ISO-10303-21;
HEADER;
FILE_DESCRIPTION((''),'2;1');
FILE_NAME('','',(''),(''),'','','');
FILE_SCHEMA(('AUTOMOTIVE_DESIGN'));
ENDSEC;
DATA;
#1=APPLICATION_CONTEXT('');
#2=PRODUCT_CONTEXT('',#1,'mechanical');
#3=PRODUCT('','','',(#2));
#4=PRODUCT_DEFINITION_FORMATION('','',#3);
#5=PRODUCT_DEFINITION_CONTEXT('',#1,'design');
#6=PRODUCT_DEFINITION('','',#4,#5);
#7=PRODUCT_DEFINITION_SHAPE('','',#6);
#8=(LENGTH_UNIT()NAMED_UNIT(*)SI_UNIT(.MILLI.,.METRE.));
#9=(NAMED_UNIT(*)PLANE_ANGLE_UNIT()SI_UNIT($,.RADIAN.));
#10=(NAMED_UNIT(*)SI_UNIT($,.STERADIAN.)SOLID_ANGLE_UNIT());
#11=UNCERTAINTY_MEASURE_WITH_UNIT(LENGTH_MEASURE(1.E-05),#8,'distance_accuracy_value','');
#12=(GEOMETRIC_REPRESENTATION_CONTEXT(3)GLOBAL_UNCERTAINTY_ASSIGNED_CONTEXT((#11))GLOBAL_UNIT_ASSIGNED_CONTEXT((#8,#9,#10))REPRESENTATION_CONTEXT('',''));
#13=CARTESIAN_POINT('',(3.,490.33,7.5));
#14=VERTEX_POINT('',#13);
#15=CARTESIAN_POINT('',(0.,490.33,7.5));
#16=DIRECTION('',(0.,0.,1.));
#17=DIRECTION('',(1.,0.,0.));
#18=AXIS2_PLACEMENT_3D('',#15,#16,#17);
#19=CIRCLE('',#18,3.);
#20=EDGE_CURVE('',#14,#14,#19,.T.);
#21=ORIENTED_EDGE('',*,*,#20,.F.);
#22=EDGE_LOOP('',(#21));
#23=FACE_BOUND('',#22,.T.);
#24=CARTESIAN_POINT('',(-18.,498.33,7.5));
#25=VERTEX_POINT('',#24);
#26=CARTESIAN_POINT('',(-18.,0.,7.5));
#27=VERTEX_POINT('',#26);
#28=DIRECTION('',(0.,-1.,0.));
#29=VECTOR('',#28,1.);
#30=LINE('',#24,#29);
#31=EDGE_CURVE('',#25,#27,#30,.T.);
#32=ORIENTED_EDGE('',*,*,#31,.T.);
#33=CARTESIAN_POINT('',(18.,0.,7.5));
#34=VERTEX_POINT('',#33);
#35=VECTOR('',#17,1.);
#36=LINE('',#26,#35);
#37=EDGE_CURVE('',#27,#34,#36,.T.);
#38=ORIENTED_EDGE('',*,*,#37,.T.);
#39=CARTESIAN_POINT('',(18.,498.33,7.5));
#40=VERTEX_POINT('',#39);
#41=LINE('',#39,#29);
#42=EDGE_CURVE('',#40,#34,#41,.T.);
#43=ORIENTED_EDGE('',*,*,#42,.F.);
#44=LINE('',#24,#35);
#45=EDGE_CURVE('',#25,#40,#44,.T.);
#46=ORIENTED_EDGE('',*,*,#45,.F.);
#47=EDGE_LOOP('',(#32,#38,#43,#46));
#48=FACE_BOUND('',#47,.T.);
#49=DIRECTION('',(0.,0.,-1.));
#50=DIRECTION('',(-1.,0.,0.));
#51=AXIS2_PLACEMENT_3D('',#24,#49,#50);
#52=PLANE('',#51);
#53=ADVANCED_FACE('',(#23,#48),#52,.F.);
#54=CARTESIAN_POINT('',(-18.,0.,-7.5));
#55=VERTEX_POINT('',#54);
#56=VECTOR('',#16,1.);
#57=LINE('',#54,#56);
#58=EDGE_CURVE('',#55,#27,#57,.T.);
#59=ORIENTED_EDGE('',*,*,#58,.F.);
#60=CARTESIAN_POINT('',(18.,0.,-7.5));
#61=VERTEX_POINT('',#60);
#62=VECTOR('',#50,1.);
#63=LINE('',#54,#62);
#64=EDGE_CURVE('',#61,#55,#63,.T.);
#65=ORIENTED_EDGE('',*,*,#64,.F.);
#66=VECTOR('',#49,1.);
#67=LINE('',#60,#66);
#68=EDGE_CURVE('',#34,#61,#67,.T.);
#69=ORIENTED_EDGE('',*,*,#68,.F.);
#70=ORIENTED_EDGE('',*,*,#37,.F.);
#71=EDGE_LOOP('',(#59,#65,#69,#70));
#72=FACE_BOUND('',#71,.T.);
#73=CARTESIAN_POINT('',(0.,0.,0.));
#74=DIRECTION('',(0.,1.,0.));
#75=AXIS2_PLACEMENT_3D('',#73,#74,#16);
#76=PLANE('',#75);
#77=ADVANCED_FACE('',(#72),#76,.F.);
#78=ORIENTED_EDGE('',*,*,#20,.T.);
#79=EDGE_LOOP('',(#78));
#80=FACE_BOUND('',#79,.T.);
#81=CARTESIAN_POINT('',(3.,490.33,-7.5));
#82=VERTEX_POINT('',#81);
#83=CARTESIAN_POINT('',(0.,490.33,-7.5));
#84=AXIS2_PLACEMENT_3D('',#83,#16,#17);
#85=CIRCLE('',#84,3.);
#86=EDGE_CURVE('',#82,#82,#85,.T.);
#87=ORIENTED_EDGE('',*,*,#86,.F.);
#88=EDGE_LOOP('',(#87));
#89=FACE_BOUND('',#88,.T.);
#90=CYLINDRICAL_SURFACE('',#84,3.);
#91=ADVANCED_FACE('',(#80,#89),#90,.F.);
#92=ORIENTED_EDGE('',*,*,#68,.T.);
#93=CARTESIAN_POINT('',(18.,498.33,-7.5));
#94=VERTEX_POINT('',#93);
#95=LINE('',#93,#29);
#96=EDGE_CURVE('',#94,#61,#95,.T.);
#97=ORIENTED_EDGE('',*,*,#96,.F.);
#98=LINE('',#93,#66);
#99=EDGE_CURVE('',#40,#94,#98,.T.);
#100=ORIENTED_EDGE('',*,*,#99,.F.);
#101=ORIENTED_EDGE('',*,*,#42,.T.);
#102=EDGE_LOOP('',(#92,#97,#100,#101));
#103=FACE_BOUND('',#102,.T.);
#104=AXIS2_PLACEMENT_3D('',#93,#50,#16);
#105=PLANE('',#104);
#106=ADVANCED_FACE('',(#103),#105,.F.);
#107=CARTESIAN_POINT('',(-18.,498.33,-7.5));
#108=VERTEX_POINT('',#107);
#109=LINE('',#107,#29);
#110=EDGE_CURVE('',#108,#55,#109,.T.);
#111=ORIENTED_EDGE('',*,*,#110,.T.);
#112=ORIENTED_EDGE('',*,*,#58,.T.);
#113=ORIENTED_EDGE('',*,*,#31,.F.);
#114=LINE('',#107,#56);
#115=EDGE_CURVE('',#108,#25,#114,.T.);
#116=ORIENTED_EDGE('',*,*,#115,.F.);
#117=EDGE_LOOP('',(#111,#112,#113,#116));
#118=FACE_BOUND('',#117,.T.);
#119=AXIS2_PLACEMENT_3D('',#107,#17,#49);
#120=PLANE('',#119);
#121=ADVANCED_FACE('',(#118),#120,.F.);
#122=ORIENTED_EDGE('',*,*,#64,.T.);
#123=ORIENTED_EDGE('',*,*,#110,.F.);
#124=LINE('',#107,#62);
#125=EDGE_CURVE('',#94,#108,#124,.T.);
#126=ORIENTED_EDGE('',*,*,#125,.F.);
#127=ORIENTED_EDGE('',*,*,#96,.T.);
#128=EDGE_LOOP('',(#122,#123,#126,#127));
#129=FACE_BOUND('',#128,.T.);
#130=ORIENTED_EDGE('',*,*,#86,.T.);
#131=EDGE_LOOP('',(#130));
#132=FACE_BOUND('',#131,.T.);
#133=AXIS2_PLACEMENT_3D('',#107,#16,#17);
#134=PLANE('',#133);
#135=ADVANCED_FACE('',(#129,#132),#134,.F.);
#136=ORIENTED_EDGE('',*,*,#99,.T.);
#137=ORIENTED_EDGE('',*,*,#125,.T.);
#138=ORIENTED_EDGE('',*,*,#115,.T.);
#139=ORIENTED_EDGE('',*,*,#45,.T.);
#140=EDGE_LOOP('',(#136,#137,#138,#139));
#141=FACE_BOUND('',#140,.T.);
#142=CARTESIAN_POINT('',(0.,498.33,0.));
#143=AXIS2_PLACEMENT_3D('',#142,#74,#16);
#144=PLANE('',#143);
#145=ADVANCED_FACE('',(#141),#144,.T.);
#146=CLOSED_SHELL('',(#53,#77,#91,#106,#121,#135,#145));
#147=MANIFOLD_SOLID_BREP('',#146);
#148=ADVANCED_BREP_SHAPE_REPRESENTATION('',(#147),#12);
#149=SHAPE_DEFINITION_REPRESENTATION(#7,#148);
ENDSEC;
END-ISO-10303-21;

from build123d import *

# Parameters (mm, degrees)
SKETCH_1_W          = 36
SKETCH_1_H          = 15
EXTRUDE_1_DEPTH     = 498.33
SKETCH_2_R          = 3
CUT_EXTRUDE_1_DEPTH = 499.8805357


with BuildPart() as part:
    # 草图1 → 凸台-拉伸1 (new body)
    with BuildSketch(Plane(origin=(0, 0, 0), x_dir=(1, 0, 0), z_dir=(0, 1, 0))):
        Rectangle(SKETCH_1_W, SKETCH_1_H)
    extrude(amount=EXTRUDE_1_DEPTH)

    # 草图2 → 切除-拉伸1 (cut, through all)
    with BuildSketch(Plane.XY.offset(7.5)):
        with Locations((0, 490.33)):
            Circle(SKETCH_2_R)
    extrude(amount=-CUT_EXTRUDE_1_DEPTH, mode=Mode.SUBTRACT)


solid = part.part
